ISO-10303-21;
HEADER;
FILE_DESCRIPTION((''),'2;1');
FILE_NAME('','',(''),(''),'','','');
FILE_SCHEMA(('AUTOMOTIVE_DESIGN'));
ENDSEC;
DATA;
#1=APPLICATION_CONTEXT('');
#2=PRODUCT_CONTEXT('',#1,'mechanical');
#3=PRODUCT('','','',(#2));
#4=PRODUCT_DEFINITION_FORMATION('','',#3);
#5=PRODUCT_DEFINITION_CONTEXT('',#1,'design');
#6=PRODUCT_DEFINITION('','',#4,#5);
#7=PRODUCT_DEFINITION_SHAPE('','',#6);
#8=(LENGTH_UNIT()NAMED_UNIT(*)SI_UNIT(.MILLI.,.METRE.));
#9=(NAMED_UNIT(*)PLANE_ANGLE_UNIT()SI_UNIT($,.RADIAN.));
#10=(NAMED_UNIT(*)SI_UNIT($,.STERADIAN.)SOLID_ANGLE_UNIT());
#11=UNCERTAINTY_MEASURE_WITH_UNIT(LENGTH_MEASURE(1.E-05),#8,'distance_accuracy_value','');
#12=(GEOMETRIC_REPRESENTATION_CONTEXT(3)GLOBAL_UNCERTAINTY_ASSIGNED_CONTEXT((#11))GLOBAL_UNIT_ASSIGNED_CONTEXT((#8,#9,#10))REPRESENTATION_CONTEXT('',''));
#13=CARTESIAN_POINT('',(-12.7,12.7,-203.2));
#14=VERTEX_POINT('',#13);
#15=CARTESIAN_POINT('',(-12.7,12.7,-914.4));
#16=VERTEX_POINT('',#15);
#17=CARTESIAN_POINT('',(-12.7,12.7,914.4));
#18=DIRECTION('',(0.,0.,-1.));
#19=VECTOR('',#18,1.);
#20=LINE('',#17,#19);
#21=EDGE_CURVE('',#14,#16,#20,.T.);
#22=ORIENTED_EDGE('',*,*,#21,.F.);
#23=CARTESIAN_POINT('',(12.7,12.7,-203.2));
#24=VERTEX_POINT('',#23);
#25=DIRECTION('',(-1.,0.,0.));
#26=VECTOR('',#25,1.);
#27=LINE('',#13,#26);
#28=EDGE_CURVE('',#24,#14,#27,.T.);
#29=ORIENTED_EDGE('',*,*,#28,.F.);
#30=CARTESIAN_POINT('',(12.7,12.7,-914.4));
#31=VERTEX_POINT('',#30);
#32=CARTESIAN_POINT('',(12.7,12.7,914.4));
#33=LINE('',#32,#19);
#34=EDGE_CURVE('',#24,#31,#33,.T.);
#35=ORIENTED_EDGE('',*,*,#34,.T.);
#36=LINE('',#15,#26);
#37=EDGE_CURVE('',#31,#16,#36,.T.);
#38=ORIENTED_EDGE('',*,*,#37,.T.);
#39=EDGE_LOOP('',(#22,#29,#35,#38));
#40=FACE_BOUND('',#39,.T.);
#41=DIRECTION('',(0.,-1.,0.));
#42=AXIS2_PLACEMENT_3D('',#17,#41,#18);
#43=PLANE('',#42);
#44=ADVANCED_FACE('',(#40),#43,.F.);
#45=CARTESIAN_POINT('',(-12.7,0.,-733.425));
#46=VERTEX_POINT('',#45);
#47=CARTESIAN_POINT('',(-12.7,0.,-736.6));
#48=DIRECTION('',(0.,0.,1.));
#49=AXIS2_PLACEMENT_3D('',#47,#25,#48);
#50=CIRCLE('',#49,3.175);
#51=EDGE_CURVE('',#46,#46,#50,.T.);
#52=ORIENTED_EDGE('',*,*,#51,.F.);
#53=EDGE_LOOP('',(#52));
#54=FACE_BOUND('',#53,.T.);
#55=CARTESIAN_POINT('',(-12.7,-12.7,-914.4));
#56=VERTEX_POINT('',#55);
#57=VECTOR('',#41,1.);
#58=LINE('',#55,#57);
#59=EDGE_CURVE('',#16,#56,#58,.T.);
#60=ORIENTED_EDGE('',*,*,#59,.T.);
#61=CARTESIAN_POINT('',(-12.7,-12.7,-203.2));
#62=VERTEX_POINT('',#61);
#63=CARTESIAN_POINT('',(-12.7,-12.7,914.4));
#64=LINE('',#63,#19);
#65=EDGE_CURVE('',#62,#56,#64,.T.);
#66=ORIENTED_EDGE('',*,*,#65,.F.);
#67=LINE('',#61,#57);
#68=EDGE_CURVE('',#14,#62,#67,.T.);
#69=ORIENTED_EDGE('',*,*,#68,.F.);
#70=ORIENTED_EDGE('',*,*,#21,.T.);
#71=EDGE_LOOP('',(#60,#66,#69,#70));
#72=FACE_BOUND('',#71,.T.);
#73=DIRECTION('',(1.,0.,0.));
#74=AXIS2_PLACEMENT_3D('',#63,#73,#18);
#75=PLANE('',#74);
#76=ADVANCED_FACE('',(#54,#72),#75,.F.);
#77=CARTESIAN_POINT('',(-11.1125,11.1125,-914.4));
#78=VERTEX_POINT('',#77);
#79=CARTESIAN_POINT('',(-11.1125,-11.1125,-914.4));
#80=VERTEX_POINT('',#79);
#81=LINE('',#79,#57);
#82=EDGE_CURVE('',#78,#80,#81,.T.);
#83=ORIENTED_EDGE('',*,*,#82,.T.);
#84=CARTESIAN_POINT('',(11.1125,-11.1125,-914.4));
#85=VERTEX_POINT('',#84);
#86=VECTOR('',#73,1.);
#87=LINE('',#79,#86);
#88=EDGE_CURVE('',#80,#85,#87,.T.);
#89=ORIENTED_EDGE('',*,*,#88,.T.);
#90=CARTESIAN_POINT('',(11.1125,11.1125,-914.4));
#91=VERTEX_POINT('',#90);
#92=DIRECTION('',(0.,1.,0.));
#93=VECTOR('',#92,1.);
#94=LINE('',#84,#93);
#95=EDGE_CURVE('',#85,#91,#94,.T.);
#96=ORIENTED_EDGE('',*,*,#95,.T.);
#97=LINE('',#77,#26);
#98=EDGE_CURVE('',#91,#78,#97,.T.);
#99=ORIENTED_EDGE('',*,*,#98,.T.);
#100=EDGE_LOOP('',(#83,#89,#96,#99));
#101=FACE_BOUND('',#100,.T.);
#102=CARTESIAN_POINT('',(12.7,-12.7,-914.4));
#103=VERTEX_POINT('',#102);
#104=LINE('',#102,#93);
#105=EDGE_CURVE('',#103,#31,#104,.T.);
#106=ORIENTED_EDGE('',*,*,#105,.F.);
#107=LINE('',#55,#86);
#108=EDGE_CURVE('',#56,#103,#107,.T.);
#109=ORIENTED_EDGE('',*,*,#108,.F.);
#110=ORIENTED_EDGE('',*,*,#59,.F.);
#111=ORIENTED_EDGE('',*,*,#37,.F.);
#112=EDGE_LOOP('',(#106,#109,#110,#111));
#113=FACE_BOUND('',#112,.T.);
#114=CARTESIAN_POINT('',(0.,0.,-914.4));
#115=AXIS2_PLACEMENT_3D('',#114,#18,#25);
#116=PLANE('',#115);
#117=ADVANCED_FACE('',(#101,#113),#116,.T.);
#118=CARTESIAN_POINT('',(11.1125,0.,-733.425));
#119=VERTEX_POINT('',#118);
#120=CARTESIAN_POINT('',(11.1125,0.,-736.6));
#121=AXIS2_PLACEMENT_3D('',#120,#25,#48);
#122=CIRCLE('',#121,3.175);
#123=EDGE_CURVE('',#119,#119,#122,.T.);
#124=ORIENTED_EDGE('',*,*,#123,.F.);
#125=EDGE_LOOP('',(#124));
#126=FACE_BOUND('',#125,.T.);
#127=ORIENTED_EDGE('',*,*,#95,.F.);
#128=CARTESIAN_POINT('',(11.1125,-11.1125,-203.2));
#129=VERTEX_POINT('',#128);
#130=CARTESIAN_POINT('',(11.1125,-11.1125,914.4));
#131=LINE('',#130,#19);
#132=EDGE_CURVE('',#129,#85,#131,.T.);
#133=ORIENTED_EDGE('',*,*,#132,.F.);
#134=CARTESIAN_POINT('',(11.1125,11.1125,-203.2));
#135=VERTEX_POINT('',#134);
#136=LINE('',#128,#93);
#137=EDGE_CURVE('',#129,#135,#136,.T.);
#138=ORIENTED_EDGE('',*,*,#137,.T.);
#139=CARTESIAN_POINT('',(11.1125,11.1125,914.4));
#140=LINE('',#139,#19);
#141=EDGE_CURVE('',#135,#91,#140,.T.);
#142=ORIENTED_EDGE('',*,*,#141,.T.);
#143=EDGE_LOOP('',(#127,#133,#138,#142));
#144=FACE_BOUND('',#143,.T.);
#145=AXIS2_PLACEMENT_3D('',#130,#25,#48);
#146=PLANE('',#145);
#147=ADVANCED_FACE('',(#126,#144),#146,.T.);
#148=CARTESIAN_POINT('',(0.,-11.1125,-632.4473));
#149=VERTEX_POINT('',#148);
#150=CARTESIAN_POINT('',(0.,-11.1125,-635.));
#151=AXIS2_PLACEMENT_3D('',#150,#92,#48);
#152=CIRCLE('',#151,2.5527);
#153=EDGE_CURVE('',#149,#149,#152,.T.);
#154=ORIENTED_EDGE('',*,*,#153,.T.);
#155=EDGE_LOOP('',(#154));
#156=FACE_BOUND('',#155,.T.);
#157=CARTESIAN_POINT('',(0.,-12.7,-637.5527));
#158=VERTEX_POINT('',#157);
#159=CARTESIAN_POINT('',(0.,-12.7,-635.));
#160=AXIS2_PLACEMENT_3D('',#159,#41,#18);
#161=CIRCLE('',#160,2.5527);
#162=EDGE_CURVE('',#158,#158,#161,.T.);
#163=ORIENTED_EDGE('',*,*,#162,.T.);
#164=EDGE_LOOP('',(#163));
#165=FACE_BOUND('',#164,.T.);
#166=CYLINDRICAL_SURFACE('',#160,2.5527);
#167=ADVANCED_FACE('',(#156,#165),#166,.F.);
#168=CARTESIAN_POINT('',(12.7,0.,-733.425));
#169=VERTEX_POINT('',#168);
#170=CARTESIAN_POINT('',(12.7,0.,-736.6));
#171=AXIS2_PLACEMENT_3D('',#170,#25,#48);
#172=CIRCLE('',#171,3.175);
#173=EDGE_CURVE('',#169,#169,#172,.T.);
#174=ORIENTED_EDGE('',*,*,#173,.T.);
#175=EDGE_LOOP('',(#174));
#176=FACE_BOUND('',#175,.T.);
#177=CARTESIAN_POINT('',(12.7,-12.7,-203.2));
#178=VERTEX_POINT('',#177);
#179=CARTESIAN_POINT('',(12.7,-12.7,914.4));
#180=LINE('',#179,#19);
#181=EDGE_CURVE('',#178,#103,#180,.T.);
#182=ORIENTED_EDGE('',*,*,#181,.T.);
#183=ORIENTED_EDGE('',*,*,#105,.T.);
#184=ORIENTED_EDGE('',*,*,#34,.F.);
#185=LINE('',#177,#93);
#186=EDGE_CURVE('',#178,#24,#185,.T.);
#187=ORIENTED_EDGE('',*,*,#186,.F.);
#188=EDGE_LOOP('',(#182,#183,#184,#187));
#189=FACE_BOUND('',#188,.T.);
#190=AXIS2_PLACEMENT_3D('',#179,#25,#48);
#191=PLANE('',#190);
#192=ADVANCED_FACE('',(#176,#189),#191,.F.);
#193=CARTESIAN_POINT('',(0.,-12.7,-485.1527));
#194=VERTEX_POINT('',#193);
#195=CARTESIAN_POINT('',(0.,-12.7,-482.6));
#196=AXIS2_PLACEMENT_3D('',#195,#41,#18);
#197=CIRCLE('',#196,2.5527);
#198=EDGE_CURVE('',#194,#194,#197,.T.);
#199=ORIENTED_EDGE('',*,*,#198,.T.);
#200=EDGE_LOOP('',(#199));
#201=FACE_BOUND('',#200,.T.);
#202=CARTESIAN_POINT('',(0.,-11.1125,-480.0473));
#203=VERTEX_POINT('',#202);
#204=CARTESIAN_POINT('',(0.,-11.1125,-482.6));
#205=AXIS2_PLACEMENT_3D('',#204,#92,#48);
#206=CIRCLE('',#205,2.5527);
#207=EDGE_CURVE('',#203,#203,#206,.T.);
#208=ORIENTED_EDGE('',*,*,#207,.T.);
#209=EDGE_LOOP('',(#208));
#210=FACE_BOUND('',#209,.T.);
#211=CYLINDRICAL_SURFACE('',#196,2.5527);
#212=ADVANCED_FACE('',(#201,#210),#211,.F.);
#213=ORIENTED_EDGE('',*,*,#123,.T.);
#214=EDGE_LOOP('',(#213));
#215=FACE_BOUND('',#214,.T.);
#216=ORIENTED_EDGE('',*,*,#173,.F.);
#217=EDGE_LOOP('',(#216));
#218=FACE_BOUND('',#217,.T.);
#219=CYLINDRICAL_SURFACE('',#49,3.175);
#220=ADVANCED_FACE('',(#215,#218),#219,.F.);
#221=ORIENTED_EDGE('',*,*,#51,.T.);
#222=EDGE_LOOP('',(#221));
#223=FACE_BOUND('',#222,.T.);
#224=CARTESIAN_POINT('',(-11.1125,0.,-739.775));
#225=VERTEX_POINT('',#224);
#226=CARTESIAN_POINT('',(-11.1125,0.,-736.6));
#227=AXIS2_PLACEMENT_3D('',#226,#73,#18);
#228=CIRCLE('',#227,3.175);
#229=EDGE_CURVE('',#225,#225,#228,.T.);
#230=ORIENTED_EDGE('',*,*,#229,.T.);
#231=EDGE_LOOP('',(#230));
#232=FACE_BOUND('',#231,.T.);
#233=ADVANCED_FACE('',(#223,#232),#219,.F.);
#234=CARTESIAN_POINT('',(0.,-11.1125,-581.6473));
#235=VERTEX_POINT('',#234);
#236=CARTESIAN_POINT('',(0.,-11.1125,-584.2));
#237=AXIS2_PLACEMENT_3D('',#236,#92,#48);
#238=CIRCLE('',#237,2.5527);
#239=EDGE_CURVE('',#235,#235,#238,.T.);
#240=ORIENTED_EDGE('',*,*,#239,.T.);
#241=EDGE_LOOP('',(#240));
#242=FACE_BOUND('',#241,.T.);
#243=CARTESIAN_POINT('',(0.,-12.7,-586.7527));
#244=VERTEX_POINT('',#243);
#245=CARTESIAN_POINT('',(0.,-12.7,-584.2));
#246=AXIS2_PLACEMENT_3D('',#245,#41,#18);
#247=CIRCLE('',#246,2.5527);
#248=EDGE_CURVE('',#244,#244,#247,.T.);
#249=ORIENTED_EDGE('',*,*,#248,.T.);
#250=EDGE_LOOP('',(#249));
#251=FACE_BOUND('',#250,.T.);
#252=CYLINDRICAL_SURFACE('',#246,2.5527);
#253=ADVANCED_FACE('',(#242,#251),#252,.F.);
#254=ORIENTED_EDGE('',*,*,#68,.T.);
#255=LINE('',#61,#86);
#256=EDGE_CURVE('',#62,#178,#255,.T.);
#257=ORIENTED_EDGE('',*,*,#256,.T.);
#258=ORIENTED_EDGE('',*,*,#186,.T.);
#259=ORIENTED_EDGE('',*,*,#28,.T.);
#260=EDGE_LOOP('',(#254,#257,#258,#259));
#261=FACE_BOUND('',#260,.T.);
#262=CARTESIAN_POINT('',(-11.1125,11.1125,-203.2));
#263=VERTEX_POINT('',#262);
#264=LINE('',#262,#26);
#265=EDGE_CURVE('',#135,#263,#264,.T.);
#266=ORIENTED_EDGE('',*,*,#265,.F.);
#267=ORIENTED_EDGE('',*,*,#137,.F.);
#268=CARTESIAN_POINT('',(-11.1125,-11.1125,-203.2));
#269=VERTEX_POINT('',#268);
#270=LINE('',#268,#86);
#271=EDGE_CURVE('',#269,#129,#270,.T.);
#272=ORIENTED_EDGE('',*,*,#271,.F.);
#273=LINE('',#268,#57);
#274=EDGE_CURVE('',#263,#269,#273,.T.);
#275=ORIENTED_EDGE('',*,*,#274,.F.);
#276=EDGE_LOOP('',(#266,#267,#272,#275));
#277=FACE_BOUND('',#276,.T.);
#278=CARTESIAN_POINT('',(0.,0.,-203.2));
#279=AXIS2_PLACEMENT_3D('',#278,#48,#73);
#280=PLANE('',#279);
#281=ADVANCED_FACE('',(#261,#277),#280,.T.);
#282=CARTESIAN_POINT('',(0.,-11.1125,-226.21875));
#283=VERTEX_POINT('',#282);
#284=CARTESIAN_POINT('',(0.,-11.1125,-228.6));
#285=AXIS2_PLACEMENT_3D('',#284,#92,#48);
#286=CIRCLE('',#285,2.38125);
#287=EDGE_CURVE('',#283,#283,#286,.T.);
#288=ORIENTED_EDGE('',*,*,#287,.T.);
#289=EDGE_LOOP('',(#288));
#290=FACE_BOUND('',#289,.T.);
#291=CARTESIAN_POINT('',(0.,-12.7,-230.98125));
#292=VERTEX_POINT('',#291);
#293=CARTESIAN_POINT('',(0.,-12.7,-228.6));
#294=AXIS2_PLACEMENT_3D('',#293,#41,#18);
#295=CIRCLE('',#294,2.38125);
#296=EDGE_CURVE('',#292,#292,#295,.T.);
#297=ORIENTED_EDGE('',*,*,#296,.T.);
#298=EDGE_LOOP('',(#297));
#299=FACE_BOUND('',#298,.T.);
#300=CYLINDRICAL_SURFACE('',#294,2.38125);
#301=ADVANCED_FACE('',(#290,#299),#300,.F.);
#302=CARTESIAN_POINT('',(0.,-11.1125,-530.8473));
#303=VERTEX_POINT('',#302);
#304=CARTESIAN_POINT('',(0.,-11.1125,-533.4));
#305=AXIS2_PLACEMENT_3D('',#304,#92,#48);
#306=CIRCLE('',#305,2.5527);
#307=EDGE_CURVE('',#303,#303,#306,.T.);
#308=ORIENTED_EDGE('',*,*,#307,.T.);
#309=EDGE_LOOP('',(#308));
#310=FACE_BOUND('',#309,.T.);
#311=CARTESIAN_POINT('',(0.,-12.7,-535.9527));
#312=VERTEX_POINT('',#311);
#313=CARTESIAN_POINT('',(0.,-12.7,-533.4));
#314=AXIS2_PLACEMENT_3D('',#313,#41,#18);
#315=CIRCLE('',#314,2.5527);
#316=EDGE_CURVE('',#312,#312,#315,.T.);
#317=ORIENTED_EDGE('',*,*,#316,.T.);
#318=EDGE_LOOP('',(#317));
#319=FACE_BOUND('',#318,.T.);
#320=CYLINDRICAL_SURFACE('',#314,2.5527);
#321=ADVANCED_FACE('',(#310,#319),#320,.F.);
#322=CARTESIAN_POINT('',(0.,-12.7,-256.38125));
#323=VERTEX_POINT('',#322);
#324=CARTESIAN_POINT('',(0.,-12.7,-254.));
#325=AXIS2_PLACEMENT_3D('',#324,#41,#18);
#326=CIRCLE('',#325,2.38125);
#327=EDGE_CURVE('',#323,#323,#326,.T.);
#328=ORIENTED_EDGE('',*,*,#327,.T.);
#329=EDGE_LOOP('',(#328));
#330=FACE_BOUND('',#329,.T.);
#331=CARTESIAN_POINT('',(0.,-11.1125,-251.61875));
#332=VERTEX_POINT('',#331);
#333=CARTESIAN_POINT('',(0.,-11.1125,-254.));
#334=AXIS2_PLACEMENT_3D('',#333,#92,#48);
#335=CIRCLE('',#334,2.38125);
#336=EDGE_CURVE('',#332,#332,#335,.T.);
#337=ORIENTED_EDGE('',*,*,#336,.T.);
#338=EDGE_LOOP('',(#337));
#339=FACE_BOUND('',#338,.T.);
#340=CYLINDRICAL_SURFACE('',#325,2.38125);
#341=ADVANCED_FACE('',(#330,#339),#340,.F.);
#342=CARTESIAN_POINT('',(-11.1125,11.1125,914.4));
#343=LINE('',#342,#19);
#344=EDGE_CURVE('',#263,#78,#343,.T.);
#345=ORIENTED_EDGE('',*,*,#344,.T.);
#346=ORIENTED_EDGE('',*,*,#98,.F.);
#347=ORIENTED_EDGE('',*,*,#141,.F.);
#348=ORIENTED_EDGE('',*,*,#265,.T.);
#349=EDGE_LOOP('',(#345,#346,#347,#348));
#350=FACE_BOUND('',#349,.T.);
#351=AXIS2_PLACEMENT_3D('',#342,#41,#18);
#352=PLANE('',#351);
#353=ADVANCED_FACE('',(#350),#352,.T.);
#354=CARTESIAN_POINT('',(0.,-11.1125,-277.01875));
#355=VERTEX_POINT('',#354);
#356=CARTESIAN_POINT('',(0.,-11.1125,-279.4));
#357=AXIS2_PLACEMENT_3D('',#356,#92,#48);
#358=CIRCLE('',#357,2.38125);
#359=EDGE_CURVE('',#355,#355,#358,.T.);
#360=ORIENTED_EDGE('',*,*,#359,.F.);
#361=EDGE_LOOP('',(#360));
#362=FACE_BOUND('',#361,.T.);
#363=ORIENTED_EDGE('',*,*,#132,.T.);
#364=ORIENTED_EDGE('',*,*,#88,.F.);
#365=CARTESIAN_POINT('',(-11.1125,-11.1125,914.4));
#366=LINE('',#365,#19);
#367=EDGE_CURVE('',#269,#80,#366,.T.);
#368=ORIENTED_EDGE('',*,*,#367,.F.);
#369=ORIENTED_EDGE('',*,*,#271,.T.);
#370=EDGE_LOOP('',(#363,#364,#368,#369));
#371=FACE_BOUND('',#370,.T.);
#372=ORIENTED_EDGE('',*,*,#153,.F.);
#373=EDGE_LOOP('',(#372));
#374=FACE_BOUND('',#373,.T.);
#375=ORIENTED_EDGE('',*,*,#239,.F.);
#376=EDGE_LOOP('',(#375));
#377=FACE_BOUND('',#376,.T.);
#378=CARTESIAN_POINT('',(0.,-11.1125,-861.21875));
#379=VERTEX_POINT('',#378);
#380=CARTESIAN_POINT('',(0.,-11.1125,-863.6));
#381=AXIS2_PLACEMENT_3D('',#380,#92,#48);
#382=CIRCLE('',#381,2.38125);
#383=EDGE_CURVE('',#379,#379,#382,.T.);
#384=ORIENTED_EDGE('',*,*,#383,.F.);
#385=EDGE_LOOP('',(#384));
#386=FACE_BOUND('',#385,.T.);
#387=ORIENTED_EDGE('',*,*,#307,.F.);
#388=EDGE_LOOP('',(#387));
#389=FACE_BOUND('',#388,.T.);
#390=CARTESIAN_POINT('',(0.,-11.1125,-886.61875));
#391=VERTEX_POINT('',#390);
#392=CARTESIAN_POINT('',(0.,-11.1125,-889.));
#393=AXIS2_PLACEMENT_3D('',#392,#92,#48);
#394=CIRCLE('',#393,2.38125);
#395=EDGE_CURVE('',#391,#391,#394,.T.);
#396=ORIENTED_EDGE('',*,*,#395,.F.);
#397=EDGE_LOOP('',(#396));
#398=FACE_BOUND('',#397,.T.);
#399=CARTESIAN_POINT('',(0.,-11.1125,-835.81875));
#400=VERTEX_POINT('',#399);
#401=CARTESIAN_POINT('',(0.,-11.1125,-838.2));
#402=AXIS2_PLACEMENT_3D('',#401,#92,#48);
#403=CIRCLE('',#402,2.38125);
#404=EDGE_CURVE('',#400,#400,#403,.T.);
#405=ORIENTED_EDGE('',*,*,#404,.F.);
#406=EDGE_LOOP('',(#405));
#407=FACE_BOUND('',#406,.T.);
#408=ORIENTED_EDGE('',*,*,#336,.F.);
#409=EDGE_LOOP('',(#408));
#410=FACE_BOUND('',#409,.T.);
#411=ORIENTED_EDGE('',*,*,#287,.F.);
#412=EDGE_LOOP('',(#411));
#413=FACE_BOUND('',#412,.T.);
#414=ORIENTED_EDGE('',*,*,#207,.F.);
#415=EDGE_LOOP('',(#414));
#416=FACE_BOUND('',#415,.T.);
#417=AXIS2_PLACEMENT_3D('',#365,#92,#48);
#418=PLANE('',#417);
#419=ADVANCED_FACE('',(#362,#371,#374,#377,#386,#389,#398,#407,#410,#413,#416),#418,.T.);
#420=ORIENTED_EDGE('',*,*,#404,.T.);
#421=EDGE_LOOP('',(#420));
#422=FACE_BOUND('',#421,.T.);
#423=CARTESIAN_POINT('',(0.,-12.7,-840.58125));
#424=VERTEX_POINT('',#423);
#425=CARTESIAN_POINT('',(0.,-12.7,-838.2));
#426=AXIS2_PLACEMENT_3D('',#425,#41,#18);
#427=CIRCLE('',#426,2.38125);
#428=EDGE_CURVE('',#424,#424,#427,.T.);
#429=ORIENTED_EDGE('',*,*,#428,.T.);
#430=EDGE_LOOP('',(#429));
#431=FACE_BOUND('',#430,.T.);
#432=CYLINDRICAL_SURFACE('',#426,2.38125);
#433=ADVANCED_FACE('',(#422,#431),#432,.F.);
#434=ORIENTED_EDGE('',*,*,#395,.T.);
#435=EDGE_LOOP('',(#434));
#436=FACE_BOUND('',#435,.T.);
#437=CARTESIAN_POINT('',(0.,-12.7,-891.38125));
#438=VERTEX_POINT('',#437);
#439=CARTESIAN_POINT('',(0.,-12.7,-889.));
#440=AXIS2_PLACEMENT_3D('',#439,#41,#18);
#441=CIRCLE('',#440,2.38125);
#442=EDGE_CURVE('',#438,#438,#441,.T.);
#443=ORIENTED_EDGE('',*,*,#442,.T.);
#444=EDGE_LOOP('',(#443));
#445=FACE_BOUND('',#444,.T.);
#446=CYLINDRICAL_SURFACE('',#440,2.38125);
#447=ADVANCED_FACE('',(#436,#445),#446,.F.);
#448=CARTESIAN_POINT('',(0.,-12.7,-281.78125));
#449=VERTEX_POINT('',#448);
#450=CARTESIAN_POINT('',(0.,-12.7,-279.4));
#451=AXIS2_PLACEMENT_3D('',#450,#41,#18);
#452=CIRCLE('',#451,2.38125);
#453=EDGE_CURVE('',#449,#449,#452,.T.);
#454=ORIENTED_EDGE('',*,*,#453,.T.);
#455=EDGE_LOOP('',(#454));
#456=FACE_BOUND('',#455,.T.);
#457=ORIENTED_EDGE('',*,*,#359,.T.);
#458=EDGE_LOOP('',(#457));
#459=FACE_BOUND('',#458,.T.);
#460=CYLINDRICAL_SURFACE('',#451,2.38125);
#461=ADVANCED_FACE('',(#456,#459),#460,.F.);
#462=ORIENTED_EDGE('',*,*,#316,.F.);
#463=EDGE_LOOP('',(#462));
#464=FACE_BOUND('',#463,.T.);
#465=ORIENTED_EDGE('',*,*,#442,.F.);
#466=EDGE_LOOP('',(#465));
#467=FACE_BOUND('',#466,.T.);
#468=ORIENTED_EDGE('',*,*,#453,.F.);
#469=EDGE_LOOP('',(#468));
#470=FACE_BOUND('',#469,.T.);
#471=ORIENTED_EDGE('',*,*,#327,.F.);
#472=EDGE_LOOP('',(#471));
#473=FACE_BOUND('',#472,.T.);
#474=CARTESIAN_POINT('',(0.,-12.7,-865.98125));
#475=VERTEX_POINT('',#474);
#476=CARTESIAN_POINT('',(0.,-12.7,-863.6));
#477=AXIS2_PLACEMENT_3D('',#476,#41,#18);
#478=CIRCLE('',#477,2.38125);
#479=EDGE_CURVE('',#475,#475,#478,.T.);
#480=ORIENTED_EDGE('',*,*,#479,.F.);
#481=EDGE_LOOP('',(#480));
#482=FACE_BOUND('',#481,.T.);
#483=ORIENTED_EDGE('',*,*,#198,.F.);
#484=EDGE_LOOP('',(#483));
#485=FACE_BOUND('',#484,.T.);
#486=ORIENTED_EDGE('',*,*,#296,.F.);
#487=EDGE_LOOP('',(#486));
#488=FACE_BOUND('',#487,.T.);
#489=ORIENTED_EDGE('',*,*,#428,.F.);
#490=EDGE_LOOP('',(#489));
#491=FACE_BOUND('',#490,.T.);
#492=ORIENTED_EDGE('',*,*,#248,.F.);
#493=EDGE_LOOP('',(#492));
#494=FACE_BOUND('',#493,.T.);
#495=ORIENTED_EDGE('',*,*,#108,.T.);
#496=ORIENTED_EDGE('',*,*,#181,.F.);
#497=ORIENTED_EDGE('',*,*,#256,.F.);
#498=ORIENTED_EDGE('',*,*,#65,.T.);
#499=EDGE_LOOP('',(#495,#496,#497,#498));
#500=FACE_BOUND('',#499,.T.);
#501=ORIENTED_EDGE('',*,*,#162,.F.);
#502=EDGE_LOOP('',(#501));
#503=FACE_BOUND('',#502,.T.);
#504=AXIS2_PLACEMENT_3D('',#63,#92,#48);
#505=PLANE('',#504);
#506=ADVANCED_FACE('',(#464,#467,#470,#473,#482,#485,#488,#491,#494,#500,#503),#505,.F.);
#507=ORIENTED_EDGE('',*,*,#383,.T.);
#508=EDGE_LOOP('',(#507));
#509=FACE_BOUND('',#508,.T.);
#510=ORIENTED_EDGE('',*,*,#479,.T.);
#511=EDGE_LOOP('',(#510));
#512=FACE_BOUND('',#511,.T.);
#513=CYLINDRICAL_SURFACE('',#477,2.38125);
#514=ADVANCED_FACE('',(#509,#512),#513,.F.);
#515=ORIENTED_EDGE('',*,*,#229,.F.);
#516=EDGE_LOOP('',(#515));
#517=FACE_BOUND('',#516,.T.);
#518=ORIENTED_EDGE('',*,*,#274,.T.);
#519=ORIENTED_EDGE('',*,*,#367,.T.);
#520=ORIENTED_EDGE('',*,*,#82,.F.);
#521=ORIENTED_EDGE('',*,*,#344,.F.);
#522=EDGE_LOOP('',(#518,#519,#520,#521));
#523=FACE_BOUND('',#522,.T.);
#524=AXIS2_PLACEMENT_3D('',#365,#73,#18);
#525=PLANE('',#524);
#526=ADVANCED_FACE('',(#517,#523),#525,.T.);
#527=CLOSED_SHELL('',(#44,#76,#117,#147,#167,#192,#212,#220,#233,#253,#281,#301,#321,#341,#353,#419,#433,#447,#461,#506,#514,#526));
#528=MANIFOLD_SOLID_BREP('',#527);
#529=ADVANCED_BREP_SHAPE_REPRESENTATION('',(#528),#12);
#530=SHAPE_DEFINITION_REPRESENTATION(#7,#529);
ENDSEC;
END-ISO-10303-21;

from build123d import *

# Parameters (mm, degrees)
BOSS_EXTRUDE1_DEPTH                = 914.4
BOSS_EXTRUDE1_DEPTH_BACK           = 914.4
SKETCH3_W                          = 25.4
SKETCH3_H                          = 25.4
SKETCH3_W_2                        = 22.225
SKETCH3_H_2                        = 22.225
SKETCH5_W                          = 30.406422512
SKETCH5_H                          = 27.345599006
CUT_EXTRUDE1_DEPTH                 = 1117.6
F_1_4_0_25_DIAMETER_HOLE1_D        = 6.35
F_3_16_0_1875_DIAMETER_HOLE1_D     = 4.7625
F_3_16_0_1875_DIAMETER_HOLE1_DEPTH = 1.5875
F_10_CLEARANCE_HOLE1_D             = 5.1054
F_10_CLEARANCE_HOLE1_DEPTH         = 1.5875


with BuildPart() as part:
    # Sketch3 → Boss-Extrude1 (new, two sides: drawn at the far end of the back side and taken through both)
    with BuildSketch(Plane.XY.offset(-BOSS_EXTRUDE1_DEPTH_BACK)):
        Rectangle(SKETCH3_W, SKETCH3_H)
        Rectangle(SKETCH3_W_2, SKETCH3_H_2, mode=Mode.SUBTRACT)
    extrude(amount=BOSS_EXTRUDE1_DEPTH + BOSS_EXTRUDE1_DEPTH_BACK)

    # Sketch5 → Cut-Extrude1 (cut)
    with BuildSketch(Plane.XY.offset(914.4)):
        Rectangle(SKETCH5_W, SKETCH5_H)
    extrude(amount=-CUT_EXTRUDE1_DEPTH, mode=Mode.SUBTRACT)

    # 1/4 (0.25) Diameter Hole1 (through all)
    with Locations(Plane.ZY.offset(12.7)):
        with Locations((-736.6, 0)):
            Hole(F_1_4_0_25_DIAMETER_HOLE1_D / 2)

    # 3/16 (0.1875) Diameter Hole1
    with Locations(Plane(origin=(0, -12.7, 0), x_dir=(-1, 0, 0), z_dir=(0, -1, 0))):
        with Locations((0, 889), (0, 863.6), (0, 838.2), (0, 279.4), (0, 254), (0, 228.6)):
            Hole(F_3_16_0_1875_DIAMETER_HOLE1_D / 2, depth=F_3_16_0_1875_DIAMETER_HOLE1_DEPTH)

    # #10 Clearance Hole1
    with Locations(Plane(origin=(0, -12.7, 0), x_dir=(-1, 0, 0), z_dir=(0, -1, 0))):
        with Locations((0, 635), (0, 584.2), (0, 533.4), (0, 482.6)):
            Hole(F_10_CLEARANCE_HOLE1_D / 2, depth=F_10_CLEARANCE_HOLE1_DEPTH)


solid = part.part
